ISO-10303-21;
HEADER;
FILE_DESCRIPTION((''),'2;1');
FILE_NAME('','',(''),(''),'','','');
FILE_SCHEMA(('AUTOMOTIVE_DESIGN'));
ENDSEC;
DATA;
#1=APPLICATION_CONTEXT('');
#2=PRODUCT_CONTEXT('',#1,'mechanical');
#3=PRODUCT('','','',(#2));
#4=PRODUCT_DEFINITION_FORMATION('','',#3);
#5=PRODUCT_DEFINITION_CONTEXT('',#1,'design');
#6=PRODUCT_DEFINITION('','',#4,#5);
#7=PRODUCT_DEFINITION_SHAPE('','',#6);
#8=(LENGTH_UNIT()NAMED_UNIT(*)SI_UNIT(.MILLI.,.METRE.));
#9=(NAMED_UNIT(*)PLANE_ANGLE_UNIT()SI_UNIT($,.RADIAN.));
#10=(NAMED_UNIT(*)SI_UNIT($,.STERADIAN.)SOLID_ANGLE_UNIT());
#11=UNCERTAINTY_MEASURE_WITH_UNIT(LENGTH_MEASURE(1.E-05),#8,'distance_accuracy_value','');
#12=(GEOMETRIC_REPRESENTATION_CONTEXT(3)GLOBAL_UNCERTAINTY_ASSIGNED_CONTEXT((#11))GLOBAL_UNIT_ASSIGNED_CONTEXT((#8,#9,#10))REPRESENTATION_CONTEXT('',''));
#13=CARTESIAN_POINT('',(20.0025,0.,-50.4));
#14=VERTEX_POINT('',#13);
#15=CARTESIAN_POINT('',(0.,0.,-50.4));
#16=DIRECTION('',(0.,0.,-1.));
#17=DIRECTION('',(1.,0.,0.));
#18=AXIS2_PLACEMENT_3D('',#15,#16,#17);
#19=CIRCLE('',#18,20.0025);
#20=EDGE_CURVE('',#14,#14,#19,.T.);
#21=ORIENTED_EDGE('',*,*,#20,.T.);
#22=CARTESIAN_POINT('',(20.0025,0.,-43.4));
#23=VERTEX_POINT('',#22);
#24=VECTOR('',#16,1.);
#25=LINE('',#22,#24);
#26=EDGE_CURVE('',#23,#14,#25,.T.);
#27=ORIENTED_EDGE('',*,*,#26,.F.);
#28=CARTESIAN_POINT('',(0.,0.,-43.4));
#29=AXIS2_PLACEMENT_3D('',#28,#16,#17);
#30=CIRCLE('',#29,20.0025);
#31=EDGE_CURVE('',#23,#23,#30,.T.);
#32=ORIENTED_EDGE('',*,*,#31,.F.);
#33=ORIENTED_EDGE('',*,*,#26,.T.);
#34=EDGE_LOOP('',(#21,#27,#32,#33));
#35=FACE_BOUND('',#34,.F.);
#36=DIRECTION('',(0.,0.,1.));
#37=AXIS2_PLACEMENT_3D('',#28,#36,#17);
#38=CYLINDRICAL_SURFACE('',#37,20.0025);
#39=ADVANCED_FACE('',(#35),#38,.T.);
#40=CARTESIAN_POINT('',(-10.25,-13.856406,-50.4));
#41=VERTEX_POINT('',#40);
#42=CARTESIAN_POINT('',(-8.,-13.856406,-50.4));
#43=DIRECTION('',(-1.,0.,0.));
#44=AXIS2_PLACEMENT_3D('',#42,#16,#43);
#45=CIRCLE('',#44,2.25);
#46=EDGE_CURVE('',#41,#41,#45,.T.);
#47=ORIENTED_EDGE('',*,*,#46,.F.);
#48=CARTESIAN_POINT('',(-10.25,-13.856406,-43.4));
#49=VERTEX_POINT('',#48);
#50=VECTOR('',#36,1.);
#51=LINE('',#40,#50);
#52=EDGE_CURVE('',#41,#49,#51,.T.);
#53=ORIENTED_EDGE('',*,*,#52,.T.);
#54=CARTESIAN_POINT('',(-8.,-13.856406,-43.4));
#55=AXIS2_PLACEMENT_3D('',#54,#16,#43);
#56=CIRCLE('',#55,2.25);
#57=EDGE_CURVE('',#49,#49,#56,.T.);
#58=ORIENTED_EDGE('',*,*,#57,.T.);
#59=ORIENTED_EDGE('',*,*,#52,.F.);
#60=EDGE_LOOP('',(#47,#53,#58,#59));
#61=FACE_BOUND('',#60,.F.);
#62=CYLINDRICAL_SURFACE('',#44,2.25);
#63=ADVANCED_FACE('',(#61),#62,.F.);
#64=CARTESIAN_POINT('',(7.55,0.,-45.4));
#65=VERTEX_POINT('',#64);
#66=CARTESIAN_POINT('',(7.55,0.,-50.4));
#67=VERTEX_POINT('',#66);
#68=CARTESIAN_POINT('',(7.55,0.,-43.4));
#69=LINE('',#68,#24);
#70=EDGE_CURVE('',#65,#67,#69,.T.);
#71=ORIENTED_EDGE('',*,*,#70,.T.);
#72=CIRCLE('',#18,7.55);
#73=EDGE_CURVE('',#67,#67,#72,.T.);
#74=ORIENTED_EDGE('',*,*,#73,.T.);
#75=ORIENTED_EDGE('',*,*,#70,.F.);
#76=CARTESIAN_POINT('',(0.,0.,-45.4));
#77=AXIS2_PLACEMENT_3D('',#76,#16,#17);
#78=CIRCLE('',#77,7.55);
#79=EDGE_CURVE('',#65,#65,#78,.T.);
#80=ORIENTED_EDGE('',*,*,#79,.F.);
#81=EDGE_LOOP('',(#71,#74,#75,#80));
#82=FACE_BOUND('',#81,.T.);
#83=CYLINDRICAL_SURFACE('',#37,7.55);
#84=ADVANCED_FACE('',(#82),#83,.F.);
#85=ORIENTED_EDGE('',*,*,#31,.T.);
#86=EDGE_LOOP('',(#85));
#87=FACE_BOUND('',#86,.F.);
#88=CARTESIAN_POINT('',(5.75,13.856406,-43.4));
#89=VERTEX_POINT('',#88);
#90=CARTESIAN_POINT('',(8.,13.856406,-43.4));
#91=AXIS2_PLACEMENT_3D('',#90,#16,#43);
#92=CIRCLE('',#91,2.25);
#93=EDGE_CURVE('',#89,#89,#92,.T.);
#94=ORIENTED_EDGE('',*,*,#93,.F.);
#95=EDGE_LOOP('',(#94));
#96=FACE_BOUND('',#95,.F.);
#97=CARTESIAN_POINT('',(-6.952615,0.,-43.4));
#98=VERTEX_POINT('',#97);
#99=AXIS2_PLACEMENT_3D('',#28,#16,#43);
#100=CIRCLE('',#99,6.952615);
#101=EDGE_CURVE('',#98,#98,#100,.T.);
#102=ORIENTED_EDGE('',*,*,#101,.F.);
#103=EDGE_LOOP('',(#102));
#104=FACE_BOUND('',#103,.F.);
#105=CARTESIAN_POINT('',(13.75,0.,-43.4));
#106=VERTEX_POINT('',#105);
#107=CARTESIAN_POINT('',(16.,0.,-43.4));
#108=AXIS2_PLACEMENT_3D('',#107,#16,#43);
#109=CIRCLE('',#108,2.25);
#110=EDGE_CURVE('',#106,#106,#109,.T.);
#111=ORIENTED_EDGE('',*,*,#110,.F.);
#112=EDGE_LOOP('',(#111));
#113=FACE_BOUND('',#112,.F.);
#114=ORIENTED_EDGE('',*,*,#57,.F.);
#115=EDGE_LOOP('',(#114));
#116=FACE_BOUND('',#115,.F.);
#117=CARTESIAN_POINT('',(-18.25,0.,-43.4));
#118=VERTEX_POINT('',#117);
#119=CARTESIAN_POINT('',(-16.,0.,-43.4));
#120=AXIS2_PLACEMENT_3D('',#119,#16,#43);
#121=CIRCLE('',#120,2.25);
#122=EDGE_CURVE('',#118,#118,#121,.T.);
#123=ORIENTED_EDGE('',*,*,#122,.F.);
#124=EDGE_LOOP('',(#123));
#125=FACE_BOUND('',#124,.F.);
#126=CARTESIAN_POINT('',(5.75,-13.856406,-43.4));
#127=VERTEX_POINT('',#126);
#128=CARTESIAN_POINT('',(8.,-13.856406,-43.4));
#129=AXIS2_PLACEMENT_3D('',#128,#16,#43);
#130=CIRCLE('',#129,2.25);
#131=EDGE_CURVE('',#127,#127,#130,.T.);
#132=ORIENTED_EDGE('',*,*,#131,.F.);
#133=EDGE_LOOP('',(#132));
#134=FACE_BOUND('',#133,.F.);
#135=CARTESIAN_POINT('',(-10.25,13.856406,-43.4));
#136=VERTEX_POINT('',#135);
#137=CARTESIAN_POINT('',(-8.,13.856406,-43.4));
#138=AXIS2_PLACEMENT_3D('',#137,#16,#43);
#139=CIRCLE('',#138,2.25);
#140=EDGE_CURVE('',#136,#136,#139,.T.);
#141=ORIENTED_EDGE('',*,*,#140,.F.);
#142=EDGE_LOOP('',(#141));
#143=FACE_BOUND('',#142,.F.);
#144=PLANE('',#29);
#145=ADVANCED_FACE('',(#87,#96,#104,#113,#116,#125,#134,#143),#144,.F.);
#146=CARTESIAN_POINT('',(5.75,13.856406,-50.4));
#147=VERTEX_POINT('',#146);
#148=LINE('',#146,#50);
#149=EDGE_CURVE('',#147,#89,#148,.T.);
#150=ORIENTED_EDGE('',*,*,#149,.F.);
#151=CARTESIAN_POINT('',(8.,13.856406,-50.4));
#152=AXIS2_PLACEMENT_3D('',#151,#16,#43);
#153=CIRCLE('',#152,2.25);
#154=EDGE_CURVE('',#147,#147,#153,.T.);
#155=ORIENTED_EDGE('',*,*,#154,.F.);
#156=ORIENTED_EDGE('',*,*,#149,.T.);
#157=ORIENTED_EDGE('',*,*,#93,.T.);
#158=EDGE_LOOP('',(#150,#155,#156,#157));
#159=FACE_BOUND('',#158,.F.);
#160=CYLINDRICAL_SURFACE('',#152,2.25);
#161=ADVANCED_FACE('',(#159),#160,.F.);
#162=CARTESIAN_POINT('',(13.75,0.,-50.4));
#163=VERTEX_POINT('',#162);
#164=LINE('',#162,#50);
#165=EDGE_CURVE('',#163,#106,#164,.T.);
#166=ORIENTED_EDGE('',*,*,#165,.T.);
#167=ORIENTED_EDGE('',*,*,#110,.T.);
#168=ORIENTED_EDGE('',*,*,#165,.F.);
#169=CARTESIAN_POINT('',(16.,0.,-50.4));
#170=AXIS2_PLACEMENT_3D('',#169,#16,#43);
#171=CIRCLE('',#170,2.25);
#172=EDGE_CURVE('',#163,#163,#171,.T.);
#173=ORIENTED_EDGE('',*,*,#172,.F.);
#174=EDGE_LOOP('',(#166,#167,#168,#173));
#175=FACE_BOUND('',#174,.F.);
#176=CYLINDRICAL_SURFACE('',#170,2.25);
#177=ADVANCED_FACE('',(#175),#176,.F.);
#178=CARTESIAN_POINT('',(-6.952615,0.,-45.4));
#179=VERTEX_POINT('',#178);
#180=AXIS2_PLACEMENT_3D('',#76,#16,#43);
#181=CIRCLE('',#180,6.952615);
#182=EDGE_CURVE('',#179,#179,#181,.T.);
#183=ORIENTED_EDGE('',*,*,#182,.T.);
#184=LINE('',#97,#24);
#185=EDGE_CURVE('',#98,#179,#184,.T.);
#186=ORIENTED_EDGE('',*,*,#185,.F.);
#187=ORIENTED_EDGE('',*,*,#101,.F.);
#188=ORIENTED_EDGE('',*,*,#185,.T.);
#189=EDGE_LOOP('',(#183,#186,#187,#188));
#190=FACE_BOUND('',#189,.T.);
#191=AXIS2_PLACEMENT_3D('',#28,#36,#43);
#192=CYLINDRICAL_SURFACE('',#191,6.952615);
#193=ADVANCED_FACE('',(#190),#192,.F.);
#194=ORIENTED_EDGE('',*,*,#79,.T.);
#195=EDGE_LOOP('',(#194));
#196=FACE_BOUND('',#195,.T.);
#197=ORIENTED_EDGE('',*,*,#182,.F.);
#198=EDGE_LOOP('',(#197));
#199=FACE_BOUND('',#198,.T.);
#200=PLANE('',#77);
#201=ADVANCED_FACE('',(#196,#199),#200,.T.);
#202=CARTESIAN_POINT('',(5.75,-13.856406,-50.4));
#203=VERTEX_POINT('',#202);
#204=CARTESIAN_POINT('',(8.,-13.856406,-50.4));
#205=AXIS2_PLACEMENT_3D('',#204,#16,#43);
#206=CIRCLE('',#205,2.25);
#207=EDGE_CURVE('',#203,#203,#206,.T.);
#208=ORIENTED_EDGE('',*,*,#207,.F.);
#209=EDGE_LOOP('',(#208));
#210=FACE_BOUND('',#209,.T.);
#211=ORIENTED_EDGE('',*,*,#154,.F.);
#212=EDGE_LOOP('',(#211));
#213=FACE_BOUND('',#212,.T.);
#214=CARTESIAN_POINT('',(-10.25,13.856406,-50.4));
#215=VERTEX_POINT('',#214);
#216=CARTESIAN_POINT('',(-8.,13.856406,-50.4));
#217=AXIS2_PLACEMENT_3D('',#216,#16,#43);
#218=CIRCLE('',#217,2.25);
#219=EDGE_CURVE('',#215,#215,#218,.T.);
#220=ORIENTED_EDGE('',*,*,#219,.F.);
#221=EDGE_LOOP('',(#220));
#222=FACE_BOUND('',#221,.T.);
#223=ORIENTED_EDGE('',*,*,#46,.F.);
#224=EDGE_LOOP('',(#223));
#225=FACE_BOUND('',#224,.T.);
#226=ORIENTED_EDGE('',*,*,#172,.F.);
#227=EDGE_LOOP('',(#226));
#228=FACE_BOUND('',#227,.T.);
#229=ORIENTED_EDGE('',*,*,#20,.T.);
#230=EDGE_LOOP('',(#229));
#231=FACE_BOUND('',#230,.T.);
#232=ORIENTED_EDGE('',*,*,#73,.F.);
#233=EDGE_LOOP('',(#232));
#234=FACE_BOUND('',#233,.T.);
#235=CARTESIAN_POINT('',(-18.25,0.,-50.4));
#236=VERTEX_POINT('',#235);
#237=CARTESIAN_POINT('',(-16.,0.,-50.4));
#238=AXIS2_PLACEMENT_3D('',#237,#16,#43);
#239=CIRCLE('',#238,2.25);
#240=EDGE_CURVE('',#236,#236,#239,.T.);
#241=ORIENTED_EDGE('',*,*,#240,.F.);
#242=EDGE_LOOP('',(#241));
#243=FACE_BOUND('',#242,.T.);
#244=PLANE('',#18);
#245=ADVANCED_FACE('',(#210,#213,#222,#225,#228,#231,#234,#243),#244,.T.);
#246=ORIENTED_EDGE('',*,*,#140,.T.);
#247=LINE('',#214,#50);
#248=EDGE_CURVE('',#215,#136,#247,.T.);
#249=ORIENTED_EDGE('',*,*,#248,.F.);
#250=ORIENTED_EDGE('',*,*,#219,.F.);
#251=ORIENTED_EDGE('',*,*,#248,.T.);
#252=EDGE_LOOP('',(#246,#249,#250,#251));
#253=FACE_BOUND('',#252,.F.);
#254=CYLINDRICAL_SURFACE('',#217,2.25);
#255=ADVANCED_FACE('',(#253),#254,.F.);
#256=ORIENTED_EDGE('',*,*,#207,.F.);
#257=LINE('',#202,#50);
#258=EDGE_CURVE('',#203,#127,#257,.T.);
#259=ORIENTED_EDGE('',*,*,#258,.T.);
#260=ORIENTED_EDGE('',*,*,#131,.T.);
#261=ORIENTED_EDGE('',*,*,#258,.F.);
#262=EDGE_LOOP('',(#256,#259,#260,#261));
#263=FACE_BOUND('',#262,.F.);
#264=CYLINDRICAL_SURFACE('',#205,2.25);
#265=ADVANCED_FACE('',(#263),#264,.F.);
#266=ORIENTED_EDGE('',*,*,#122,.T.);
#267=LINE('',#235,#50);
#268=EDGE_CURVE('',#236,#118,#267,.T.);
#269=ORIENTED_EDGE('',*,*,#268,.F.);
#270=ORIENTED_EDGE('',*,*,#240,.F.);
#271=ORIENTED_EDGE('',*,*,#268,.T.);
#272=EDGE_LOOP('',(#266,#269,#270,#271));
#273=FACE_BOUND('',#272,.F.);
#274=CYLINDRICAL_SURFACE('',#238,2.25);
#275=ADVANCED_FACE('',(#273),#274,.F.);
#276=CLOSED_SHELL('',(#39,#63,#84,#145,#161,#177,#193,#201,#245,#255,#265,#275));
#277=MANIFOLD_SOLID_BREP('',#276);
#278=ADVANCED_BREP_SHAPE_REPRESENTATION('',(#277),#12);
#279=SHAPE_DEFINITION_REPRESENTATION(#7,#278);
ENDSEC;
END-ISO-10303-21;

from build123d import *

# Parameters (mm, degrees)
SKETCH1_R           = 20.0025
SKETCH1_R_2         = 7.55
BOSS_EXTRUDE1_DEPTH = 7
SKETCH2_R           = 7.55
SKETCH2_R_2         = 6.952615
BOSS_EXTRUDE2_DEPTH = 2
SKETCH3_R           = 2.25
CUT_EXTRUDE1_DEPTH  = 7


with BuildPart() as part:
    # Sketch1 → Boss-Extrude1 (new body)
    with BuildSketch(Plane(origin=(0, 0, -43.4), x_dir=(-1, 0, 0), z_dir=(0, 0, -1))):
        with Locations(Location((0, 0, 0), (0, 0, 180))):
            Circle(SKETCH1_R)
        with Locations(Location((0, 0, 0), (0, 0, 180))):
            Circle(SKETCH1_R_2, mode=Mode.SUBTRACT)
    extrude(amount=BOSS_EXTRUDE1_DEPTH)

    # Sketch2 → Boss-Extrude2 (add)
    with BuildSketch(Plane(origin=(0, 0, -43.4), x_dir=(-1, 0, 0), z_dir=(0, 0, -1))):
        with Locations(Location((0, 0, 0), (0, 0, 180))):
            Circle(SKETCH2_R)
        Circle(SKETCH2_R_2, mode=Mode.SUBTRACT)
    extrude(amount=BOSS_EXTRUDE2_DEPTH)

    # Sketch3 → Cut-Extrude1 (cut)
    with BuildSketch(Plane(origin=(0, 0, -50.4), x_dir=(-1, 0, 0), z_dir=(0, 0, -1))):
        with Locations((16, 0)):
            Circle(SKETCH3_R)
        with Locations((8, -13.856406461)):
            Circle(SKETCH3_R)
        with Locations((-8, -13.856406461)):
            Circle(SKETCH3_R)
        with Locations((-16, 0)):
            Circle(SKETCH3_R)
        with Locations((-8, 13.856406461)):
            Circle(SKETCH3_R)
        with Locations((8, 13.856406461)):
            Circle(SKETCH3_R)
    extrude(amount=-CUT_EXTRUDE1_DEPTH, mode=Mode.SUBTRACT)


solid = part.part
